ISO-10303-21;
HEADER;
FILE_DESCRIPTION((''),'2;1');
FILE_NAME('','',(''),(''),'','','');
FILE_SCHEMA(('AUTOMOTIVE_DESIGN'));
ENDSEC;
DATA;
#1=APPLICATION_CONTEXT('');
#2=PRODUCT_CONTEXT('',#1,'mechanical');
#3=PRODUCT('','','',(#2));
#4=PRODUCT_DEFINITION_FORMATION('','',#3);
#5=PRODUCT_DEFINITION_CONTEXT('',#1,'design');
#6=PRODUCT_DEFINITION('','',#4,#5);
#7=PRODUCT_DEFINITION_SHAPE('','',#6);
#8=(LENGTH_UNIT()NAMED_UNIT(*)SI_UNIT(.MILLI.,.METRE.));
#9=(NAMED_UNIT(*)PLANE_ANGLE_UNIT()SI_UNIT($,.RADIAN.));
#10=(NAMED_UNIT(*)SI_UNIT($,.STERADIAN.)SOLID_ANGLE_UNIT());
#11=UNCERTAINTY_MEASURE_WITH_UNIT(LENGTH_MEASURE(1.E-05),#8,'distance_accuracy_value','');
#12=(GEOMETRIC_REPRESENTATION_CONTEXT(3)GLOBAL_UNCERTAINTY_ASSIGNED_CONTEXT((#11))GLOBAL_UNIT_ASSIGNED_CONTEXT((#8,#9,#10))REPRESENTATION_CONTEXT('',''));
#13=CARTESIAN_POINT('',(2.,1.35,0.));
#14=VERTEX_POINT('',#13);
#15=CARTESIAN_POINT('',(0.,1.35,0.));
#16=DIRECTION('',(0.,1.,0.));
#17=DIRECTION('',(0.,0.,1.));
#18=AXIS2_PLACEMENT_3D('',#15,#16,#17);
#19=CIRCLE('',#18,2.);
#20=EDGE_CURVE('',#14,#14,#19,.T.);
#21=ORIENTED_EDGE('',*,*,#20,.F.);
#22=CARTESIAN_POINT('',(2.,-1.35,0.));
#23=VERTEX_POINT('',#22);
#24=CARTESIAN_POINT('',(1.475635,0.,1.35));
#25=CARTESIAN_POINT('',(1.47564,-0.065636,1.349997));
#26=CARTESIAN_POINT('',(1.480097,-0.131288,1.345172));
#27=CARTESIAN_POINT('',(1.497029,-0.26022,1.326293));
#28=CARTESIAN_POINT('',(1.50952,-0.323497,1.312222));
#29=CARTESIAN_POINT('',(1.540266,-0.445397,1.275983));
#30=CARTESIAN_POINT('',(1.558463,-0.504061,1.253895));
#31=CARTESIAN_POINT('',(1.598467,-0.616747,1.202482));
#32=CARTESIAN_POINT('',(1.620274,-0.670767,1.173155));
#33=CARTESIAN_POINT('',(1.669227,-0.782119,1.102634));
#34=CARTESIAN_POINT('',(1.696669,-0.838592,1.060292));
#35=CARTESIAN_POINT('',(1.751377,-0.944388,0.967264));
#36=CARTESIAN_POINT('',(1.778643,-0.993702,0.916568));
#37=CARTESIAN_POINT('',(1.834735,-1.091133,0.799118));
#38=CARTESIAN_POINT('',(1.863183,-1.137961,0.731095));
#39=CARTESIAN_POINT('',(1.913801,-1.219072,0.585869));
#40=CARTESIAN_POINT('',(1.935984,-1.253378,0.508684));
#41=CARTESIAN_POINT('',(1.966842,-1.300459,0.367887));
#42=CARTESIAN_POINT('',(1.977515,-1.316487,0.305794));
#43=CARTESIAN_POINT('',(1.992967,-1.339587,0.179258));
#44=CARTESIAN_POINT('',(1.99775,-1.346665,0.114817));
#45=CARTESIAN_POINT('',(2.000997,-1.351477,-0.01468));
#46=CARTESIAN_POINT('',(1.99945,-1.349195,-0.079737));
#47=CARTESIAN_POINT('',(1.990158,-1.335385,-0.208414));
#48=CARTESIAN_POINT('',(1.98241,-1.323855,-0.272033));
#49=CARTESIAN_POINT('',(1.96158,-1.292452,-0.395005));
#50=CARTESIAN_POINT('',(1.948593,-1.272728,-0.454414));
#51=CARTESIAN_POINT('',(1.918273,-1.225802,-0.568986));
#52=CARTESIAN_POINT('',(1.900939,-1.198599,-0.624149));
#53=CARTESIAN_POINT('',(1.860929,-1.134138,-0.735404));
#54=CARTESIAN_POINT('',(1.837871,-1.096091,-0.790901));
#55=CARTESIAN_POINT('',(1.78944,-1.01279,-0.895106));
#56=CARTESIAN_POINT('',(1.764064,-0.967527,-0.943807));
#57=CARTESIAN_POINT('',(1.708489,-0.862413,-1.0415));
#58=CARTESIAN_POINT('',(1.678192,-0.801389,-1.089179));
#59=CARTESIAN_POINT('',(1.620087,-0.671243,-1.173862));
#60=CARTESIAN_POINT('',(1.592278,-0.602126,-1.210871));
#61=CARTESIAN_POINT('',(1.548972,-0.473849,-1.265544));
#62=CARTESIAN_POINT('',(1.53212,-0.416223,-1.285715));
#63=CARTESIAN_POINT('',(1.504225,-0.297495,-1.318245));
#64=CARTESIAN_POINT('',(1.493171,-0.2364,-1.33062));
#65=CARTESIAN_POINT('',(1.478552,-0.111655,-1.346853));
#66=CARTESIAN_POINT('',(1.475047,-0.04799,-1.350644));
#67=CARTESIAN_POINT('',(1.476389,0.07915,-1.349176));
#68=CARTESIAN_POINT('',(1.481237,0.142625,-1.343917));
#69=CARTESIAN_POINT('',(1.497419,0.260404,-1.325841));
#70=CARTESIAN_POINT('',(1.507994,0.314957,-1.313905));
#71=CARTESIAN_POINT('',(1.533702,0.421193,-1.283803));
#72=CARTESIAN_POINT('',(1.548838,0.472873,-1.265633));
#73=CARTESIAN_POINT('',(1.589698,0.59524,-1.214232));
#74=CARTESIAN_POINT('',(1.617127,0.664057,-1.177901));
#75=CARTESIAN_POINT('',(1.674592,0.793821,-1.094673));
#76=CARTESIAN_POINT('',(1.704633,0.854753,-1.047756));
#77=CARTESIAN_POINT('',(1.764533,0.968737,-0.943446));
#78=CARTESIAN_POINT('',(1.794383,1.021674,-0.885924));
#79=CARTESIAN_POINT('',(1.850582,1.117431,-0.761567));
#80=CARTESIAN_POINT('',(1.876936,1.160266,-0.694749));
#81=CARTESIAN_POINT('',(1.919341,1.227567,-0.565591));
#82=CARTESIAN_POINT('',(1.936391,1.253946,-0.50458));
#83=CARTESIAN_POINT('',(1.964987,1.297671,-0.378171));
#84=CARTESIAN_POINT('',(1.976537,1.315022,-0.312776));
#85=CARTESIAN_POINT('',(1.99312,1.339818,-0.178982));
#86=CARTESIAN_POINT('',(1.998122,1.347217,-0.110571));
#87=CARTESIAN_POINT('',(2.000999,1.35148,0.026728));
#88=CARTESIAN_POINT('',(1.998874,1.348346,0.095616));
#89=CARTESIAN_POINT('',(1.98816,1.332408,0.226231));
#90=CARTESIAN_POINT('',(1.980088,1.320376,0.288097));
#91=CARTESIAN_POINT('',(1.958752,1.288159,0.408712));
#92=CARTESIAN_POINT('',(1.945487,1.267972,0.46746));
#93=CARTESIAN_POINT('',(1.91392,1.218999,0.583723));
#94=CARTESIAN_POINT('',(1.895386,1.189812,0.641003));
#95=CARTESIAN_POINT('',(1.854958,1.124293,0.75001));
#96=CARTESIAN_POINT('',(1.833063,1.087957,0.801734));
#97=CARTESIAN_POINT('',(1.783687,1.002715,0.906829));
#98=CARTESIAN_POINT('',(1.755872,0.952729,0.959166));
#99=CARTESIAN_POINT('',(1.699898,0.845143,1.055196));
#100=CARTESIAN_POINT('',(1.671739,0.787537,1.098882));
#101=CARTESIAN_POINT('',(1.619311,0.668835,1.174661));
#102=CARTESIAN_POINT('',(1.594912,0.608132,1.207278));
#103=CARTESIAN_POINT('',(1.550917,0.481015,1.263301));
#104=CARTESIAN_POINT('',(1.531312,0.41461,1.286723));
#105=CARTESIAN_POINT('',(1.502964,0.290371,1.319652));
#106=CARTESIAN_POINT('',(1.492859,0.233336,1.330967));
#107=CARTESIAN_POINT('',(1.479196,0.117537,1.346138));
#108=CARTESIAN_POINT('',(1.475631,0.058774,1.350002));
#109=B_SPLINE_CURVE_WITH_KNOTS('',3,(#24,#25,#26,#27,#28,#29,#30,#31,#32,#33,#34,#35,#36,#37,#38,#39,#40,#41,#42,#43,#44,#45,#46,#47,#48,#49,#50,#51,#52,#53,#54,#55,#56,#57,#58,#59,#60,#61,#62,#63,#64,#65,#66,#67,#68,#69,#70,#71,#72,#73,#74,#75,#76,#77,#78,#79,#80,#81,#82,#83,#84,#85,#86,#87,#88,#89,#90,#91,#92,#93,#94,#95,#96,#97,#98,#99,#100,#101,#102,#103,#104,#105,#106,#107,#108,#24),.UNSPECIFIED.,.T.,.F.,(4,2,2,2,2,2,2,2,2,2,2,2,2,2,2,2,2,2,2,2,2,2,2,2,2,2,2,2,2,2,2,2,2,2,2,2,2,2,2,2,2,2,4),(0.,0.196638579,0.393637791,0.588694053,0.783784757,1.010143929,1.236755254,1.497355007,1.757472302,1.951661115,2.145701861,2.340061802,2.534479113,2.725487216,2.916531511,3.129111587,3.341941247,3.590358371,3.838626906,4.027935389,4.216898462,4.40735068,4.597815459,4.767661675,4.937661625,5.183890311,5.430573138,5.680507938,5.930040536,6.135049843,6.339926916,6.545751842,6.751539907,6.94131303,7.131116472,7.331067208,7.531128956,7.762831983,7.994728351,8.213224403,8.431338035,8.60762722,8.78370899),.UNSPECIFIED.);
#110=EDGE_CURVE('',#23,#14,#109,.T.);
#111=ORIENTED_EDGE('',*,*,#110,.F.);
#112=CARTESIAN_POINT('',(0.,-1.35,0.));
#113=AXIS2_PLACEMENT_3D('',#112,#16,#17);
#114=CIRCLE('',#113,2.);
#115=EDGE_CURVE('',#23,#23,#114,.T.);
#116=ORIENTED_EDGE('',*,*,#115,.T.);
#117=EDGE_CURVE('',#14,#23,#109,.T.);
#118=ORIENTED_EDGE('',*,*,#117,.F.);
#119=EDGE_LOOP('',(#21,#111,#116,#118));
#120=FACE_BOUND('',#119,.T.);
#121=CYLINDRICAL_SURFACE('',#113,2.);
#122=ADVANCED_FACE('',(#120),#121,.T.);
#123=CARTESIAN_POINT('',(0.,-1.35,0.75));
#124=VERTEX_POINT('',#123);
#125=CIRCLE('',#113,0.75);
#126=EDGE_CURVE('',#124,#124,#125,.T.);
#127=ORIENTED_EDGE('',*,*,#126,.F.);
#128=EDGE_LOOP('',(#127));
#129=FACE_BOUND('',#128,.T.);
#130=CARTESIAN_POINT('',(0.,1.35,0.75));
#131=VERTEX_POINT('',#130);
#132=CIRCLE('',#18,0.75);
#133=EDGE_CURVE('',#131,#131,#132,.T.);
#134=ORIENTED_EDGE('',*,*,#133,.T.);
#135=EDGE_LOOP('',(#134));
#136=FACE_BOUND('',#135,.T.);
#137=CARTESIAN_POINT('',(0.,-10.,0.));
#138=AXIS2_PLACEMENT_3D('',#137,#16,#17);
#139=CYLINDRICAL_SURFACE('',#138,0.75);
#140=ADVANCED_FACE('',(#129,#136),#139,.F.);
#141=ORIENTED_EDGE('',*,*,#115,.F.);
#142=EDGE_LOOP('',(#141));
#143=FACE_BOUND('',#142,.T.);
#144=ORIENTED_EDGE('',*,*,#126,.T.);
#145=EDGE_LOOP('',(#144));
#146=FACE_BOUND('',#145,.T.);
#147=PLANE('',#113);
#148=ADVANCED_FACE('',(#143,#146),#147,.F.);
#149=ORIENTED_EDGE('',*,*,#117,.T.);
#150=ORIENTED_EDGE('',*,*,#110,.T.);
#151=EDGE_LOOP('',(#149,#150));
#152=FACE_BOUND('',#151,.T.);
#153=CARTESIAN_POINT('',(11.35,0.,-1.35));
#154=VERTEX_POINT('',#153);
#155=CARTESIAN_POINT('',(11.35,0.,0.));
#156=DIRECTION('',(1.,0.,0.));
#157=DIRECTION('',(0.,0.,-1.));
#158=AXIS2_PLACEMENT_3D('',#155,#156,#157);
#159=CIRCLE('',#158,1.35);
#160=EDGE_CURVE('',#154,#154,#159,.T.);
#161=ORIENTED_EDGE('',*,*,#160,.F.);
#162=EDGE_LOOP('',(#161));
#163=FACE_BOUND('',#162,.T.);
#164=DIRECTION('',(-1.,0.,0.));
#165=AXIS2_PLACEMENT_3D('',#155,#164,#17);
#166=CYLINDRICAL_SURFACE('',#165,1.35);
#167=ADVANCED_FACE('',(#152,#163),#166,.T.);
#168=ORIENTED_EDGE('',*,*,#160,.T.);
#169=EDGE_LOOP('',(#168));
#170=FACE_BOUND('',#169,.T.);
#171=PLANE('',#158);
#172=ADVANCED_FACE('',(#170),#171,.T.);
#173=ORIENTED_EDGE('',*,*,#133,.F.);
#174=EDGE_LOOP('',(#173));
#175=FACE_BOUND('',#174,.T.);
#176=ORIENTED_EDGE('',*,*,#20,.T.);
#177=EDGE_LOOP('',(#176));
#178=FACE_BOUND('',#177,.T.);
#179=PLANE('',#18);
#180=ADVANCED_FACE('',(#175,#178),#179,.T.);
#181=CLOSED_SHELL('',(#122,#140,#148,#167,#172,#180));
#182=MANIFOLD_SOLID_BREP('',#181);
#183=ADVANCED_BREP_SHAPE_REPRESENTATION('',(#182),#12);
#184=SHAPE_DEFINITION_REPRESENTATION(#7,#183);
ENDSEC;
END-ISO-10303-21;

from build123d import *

# Parameters (mm, degrees)
SKETCH1_R                = 1.35
BOSS_EXTRUDE1_DEPTH      = 11.35
BOSS_EXTRUDE2_DEPTH      = 1.35
BOSS_EXTRUDE2_DEPTH_BACK = 1.35
SKETCH2_R                = 2
SKETCH3_R                = 0.75
CUT_EXTRUDE1_DEPTH       = 11.35


with BuildPart() as part:
    # Sketch1 → Boss-Extrude1 (new body)
    with BuildSketch(Plane(origin=(0, 0, 0), x_dir=(0, 0, -1), z_dir=(1, 0, 0))):
        Circle(SKETCH1_R)
    extrude(amount=BOSS_EXTRUDE1_DEPTH)

    # Sketch2 → Boss-Extrude2 (add, two sides: drawn at the far end of the back side and taken through both)
    with BuildSketch(Plane(origin=(0, 0, 0), x_dir=(1, 0, 0), z_dir=(0, 1, 0)).offset(-BOSS_EXTRUDE2_DEPTH_BACK)):
        Circle(SKETCH2_R)
    extrude(amount=BOSS_EXTRUDE2_DEPTH + BOSS_EXTRUDE2_DEPTH_BACK)

    # Sketch3 → Cut-Extrude1 (cut)
    with BuildSketch(Plane(origin=(0, 1.35, 0), x_dir=(1, 0, 0), z_dir=(0, 1, 0))):
        Circle(SKETCH3_R)
    extrude(amount=-CUT_EXTRUDE1_DEPTH, mode=Mode.SUBTRACT)


solid = part.part
